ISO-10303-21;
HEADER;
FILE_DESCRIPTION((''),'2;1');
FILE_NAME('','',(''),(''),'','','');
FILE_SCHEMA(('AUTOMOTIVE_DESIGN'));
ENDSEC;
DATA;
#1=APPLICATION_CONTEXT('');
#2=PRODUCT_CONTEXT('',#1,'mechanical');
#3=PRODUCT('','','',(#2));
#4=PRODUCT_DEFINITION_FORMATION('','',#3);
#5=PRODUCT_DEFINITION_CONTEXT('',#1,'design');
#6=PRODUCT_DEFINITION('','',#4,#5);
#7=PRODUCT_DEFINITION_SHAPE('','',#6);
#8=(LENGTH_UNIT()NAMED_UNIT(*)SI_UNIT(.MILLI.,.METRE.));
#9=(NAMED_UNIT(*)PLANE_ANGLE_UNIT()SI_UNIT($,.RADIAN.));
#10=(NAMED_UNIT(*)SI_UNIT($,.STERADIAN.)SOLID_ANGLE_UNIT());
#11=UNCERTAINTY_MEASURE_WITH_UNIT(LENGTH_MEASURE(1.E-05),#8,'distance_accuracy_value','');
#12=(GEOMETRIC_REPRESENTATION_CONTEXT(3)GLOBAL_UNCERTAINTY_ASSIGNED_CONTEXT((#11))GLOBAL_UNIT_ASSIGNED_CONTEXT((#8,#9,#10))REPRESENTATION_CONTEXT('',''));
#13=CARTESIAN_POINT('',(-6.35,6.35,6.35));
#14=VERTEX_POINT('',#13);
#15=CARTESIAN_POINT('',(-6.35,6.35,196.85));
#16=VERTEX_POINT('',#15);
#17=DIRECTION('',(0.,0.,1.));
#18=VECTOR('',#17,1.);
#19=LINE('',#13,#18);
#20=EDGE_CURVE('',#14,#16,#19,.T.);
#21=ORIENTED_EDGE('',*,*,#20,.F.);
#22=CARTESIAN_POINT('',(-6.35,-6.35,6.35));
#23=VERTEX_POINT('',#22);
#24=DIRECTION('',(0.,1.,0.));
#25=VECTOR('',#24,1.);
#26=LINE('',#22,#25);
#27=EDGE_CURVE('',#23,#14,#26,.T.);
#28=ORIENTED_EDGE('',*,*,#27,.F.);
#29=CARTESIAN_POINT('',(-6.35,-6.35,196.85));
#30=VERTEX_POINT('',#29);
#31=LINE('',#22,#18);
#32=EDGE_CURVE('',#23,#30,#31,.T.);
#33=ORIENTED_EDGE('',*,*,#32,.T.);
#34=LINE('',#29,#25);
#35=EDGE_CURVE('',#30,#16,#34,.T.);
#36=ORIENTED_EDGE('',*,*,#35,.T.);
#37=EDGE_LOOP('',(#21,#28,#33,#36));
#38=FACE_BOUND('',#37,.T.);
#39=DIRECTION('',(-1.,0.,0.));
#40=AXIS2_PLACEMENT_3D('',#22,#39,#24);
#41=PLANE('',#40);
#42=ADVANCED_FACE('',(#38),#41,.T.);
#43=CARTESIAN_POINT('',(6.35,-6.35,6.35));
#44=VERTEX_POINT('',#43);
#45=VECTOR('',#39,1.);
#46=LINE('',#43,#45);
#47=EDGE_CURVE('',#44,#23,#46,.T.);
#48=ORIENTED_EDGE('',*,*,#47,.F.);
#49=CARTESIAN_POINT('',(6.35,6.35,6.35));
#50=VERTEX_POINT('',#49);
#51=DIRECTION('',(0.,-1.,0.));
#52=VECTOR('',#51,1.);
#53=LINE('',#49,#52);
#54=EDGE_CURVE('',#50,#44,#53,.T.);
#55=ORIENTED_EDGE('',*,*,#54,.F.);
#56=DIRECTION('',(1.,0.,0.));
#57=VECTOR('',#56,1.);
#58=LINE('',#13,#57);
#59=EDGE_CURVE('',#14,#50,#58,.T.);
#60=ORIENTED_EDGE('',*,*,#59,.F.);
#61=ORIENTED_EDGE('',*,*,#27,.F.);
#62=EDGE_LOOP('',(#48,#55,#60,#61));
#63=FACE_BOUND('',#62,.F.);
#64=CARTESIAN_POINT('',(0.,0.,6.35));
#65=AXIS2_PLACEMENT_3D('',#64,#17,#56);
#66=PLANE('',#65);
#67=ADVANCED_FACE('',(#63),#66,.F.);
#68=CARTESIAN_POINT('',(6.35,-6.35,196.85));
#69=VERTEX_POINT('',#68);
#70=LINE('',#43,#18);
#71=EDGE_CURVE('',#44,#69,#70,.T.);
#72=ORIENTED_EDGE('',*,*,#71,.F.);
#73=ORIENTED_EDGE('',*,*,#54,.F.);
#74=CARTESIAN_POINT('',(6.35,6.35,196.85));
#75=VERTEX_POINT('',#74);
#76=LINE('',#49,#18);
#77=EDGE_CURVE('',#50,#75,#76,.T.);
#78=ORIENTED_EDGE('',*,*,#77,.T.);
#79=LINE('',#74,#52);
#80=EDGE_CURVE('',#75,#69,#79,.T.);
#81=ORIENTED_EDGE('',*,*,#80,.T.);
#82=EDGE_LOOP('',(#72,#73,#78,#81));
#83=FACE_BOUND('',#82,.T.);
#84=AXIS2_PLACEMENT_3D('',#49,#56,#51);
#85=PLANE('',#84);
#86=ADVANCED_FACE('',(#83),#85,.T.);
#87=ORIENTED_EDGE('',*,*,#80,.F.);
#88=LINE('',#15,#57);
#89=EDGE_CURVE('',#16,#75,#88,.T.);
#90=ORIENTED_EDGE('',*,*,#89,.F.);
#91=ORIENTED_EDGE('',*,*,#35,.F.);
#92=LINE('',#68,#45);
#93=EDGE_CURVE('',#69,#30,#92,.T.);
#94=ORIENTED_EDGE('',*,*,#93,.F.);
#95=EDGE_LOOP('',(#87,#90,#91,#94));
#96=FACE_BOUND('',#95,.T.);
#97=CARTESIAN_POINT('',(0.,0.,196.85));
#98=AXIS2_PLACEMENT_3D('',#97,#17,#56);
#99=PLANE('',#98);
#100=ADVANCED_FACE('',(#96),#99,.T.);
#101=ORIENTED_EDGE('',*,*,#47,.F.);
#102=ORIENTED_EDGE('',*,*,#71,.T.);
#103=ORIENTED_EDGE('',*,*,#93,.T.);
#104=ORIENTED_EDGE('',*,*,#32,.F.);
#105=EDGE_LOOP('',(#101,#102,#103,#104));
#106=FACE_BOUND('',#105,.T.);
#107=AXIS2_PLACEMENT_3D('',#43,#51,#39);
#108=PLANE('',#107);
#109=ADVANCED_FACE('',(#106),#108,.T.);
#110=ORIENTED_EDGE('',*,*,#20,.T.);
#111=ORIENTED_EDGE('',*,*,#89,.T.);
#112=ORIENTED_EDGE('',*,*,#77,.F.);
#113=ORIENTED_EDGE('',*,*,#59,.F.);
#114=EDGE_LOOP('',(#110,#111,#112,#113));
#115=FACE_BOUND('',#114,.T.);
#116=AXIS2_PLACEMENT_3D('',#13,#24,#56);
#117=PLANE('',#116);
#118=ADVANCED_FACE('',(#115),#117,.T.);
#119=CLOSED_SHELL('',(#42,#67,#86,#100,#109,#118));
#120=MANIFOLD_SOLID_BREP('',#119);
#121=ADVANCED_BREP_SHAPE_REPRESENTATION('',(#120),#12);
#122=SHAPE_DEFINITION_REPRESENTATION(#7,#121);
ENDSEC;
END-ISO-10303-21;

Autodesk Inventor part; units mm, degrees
ref_plane "Start plane" through (0, 0, 6.35) normal (0, 0, 1) x (1, 0, 0)
ref_plane "End plane" through (0, 0, 196.85) normal (0, 0, 1) x (1, 0, 0)
sketch "Sketch" plane through (0, 0, 0) normal (0, 0, 1) x (1, 0, 0)
  line L0 (6.35, -6.35) -> (-6.35, -6.35)
  line L1 (-6.35, -6.35) -> (-6.35, 6.35)
  line L2 (-6.35, 6.35) -> (6.35, 6.35)
  line L3 (6.35, 6.35) -> (6.35, -6.35)
  line L4 (-6, 0) -> (8, 0) construction
  line L5 (0, -30) -> (0, 40) construction
  line L6 (0, 54) -> (0, -44) construction
  line L7 (-9.62, 0) -> (13.27, 0) construction
  dimension "d0" = 12.7
  dimension "d1" = 12.7
  dimension "d4" = 6.35
  dimension "d5" = 6.35
extrude "Body" add sketch "Sketch" along normal up to surface (190.5 mm away) from surface at 6.35
sketch "Sketch3" plane through (0, 0, 0) normal (0, 0, 1) x (1, 0, 0)
  line L0 (0, 0) -> (10, 0)
ref_plane "Work Plane3" through (0, 0, 0) normal (0, -1, 0) x (1, 0, 0)
sketch "Sketch4" plane through (0, 0, 0) normal (0, -1, 0) x (1, 0, 0)
  line L0 (-2, 6.35) -> (12, 6.35)
  line L1 (-2, 196.85) -> (12, 196.85)
  dimension "d9" = 190.5
ref_plane "Work Plane4" through (6.35, 0, 6.35) normal (0, 0, -1) x (-1, 0, 0)
split "Split1" plane through (6.35, 0, 6.35) removes the side toward (0, 0, -1)
ref_plane "Work Plane5" through (0, 596.3529, 196.85) normal (0, 0, 1) x (1, 0, 0)
split "Split2" plane through (0, 596.3529, 196.85) removes the side toward (0, 0, 1)
equation "\"d0\" = G_W"
equation "\"d1\" = G_H"
equation "\"d4\" = 0.5 * d1"
equation "\"d5\" = 0.5 * d0"
equation "\"d2\" = G_L"
equation "\"G_W\" = 12.7"
equation "\"G_H\" = 12.7"
equation "\"G_L\" = d9"
equation "\"G_OFFSET_START\" = -6.35"
equation "\"G_OFFSET_END\" = -6.35"
equation "\"d6\" = -G_OFFSET_START"
equation "\"d7\" = G_OFFSET_END + B_L"
equation "\"B_L\" = 203.2"
properties part number "AISC - 1/2x1/2 - 7.5" material "Steel, Alloy"
